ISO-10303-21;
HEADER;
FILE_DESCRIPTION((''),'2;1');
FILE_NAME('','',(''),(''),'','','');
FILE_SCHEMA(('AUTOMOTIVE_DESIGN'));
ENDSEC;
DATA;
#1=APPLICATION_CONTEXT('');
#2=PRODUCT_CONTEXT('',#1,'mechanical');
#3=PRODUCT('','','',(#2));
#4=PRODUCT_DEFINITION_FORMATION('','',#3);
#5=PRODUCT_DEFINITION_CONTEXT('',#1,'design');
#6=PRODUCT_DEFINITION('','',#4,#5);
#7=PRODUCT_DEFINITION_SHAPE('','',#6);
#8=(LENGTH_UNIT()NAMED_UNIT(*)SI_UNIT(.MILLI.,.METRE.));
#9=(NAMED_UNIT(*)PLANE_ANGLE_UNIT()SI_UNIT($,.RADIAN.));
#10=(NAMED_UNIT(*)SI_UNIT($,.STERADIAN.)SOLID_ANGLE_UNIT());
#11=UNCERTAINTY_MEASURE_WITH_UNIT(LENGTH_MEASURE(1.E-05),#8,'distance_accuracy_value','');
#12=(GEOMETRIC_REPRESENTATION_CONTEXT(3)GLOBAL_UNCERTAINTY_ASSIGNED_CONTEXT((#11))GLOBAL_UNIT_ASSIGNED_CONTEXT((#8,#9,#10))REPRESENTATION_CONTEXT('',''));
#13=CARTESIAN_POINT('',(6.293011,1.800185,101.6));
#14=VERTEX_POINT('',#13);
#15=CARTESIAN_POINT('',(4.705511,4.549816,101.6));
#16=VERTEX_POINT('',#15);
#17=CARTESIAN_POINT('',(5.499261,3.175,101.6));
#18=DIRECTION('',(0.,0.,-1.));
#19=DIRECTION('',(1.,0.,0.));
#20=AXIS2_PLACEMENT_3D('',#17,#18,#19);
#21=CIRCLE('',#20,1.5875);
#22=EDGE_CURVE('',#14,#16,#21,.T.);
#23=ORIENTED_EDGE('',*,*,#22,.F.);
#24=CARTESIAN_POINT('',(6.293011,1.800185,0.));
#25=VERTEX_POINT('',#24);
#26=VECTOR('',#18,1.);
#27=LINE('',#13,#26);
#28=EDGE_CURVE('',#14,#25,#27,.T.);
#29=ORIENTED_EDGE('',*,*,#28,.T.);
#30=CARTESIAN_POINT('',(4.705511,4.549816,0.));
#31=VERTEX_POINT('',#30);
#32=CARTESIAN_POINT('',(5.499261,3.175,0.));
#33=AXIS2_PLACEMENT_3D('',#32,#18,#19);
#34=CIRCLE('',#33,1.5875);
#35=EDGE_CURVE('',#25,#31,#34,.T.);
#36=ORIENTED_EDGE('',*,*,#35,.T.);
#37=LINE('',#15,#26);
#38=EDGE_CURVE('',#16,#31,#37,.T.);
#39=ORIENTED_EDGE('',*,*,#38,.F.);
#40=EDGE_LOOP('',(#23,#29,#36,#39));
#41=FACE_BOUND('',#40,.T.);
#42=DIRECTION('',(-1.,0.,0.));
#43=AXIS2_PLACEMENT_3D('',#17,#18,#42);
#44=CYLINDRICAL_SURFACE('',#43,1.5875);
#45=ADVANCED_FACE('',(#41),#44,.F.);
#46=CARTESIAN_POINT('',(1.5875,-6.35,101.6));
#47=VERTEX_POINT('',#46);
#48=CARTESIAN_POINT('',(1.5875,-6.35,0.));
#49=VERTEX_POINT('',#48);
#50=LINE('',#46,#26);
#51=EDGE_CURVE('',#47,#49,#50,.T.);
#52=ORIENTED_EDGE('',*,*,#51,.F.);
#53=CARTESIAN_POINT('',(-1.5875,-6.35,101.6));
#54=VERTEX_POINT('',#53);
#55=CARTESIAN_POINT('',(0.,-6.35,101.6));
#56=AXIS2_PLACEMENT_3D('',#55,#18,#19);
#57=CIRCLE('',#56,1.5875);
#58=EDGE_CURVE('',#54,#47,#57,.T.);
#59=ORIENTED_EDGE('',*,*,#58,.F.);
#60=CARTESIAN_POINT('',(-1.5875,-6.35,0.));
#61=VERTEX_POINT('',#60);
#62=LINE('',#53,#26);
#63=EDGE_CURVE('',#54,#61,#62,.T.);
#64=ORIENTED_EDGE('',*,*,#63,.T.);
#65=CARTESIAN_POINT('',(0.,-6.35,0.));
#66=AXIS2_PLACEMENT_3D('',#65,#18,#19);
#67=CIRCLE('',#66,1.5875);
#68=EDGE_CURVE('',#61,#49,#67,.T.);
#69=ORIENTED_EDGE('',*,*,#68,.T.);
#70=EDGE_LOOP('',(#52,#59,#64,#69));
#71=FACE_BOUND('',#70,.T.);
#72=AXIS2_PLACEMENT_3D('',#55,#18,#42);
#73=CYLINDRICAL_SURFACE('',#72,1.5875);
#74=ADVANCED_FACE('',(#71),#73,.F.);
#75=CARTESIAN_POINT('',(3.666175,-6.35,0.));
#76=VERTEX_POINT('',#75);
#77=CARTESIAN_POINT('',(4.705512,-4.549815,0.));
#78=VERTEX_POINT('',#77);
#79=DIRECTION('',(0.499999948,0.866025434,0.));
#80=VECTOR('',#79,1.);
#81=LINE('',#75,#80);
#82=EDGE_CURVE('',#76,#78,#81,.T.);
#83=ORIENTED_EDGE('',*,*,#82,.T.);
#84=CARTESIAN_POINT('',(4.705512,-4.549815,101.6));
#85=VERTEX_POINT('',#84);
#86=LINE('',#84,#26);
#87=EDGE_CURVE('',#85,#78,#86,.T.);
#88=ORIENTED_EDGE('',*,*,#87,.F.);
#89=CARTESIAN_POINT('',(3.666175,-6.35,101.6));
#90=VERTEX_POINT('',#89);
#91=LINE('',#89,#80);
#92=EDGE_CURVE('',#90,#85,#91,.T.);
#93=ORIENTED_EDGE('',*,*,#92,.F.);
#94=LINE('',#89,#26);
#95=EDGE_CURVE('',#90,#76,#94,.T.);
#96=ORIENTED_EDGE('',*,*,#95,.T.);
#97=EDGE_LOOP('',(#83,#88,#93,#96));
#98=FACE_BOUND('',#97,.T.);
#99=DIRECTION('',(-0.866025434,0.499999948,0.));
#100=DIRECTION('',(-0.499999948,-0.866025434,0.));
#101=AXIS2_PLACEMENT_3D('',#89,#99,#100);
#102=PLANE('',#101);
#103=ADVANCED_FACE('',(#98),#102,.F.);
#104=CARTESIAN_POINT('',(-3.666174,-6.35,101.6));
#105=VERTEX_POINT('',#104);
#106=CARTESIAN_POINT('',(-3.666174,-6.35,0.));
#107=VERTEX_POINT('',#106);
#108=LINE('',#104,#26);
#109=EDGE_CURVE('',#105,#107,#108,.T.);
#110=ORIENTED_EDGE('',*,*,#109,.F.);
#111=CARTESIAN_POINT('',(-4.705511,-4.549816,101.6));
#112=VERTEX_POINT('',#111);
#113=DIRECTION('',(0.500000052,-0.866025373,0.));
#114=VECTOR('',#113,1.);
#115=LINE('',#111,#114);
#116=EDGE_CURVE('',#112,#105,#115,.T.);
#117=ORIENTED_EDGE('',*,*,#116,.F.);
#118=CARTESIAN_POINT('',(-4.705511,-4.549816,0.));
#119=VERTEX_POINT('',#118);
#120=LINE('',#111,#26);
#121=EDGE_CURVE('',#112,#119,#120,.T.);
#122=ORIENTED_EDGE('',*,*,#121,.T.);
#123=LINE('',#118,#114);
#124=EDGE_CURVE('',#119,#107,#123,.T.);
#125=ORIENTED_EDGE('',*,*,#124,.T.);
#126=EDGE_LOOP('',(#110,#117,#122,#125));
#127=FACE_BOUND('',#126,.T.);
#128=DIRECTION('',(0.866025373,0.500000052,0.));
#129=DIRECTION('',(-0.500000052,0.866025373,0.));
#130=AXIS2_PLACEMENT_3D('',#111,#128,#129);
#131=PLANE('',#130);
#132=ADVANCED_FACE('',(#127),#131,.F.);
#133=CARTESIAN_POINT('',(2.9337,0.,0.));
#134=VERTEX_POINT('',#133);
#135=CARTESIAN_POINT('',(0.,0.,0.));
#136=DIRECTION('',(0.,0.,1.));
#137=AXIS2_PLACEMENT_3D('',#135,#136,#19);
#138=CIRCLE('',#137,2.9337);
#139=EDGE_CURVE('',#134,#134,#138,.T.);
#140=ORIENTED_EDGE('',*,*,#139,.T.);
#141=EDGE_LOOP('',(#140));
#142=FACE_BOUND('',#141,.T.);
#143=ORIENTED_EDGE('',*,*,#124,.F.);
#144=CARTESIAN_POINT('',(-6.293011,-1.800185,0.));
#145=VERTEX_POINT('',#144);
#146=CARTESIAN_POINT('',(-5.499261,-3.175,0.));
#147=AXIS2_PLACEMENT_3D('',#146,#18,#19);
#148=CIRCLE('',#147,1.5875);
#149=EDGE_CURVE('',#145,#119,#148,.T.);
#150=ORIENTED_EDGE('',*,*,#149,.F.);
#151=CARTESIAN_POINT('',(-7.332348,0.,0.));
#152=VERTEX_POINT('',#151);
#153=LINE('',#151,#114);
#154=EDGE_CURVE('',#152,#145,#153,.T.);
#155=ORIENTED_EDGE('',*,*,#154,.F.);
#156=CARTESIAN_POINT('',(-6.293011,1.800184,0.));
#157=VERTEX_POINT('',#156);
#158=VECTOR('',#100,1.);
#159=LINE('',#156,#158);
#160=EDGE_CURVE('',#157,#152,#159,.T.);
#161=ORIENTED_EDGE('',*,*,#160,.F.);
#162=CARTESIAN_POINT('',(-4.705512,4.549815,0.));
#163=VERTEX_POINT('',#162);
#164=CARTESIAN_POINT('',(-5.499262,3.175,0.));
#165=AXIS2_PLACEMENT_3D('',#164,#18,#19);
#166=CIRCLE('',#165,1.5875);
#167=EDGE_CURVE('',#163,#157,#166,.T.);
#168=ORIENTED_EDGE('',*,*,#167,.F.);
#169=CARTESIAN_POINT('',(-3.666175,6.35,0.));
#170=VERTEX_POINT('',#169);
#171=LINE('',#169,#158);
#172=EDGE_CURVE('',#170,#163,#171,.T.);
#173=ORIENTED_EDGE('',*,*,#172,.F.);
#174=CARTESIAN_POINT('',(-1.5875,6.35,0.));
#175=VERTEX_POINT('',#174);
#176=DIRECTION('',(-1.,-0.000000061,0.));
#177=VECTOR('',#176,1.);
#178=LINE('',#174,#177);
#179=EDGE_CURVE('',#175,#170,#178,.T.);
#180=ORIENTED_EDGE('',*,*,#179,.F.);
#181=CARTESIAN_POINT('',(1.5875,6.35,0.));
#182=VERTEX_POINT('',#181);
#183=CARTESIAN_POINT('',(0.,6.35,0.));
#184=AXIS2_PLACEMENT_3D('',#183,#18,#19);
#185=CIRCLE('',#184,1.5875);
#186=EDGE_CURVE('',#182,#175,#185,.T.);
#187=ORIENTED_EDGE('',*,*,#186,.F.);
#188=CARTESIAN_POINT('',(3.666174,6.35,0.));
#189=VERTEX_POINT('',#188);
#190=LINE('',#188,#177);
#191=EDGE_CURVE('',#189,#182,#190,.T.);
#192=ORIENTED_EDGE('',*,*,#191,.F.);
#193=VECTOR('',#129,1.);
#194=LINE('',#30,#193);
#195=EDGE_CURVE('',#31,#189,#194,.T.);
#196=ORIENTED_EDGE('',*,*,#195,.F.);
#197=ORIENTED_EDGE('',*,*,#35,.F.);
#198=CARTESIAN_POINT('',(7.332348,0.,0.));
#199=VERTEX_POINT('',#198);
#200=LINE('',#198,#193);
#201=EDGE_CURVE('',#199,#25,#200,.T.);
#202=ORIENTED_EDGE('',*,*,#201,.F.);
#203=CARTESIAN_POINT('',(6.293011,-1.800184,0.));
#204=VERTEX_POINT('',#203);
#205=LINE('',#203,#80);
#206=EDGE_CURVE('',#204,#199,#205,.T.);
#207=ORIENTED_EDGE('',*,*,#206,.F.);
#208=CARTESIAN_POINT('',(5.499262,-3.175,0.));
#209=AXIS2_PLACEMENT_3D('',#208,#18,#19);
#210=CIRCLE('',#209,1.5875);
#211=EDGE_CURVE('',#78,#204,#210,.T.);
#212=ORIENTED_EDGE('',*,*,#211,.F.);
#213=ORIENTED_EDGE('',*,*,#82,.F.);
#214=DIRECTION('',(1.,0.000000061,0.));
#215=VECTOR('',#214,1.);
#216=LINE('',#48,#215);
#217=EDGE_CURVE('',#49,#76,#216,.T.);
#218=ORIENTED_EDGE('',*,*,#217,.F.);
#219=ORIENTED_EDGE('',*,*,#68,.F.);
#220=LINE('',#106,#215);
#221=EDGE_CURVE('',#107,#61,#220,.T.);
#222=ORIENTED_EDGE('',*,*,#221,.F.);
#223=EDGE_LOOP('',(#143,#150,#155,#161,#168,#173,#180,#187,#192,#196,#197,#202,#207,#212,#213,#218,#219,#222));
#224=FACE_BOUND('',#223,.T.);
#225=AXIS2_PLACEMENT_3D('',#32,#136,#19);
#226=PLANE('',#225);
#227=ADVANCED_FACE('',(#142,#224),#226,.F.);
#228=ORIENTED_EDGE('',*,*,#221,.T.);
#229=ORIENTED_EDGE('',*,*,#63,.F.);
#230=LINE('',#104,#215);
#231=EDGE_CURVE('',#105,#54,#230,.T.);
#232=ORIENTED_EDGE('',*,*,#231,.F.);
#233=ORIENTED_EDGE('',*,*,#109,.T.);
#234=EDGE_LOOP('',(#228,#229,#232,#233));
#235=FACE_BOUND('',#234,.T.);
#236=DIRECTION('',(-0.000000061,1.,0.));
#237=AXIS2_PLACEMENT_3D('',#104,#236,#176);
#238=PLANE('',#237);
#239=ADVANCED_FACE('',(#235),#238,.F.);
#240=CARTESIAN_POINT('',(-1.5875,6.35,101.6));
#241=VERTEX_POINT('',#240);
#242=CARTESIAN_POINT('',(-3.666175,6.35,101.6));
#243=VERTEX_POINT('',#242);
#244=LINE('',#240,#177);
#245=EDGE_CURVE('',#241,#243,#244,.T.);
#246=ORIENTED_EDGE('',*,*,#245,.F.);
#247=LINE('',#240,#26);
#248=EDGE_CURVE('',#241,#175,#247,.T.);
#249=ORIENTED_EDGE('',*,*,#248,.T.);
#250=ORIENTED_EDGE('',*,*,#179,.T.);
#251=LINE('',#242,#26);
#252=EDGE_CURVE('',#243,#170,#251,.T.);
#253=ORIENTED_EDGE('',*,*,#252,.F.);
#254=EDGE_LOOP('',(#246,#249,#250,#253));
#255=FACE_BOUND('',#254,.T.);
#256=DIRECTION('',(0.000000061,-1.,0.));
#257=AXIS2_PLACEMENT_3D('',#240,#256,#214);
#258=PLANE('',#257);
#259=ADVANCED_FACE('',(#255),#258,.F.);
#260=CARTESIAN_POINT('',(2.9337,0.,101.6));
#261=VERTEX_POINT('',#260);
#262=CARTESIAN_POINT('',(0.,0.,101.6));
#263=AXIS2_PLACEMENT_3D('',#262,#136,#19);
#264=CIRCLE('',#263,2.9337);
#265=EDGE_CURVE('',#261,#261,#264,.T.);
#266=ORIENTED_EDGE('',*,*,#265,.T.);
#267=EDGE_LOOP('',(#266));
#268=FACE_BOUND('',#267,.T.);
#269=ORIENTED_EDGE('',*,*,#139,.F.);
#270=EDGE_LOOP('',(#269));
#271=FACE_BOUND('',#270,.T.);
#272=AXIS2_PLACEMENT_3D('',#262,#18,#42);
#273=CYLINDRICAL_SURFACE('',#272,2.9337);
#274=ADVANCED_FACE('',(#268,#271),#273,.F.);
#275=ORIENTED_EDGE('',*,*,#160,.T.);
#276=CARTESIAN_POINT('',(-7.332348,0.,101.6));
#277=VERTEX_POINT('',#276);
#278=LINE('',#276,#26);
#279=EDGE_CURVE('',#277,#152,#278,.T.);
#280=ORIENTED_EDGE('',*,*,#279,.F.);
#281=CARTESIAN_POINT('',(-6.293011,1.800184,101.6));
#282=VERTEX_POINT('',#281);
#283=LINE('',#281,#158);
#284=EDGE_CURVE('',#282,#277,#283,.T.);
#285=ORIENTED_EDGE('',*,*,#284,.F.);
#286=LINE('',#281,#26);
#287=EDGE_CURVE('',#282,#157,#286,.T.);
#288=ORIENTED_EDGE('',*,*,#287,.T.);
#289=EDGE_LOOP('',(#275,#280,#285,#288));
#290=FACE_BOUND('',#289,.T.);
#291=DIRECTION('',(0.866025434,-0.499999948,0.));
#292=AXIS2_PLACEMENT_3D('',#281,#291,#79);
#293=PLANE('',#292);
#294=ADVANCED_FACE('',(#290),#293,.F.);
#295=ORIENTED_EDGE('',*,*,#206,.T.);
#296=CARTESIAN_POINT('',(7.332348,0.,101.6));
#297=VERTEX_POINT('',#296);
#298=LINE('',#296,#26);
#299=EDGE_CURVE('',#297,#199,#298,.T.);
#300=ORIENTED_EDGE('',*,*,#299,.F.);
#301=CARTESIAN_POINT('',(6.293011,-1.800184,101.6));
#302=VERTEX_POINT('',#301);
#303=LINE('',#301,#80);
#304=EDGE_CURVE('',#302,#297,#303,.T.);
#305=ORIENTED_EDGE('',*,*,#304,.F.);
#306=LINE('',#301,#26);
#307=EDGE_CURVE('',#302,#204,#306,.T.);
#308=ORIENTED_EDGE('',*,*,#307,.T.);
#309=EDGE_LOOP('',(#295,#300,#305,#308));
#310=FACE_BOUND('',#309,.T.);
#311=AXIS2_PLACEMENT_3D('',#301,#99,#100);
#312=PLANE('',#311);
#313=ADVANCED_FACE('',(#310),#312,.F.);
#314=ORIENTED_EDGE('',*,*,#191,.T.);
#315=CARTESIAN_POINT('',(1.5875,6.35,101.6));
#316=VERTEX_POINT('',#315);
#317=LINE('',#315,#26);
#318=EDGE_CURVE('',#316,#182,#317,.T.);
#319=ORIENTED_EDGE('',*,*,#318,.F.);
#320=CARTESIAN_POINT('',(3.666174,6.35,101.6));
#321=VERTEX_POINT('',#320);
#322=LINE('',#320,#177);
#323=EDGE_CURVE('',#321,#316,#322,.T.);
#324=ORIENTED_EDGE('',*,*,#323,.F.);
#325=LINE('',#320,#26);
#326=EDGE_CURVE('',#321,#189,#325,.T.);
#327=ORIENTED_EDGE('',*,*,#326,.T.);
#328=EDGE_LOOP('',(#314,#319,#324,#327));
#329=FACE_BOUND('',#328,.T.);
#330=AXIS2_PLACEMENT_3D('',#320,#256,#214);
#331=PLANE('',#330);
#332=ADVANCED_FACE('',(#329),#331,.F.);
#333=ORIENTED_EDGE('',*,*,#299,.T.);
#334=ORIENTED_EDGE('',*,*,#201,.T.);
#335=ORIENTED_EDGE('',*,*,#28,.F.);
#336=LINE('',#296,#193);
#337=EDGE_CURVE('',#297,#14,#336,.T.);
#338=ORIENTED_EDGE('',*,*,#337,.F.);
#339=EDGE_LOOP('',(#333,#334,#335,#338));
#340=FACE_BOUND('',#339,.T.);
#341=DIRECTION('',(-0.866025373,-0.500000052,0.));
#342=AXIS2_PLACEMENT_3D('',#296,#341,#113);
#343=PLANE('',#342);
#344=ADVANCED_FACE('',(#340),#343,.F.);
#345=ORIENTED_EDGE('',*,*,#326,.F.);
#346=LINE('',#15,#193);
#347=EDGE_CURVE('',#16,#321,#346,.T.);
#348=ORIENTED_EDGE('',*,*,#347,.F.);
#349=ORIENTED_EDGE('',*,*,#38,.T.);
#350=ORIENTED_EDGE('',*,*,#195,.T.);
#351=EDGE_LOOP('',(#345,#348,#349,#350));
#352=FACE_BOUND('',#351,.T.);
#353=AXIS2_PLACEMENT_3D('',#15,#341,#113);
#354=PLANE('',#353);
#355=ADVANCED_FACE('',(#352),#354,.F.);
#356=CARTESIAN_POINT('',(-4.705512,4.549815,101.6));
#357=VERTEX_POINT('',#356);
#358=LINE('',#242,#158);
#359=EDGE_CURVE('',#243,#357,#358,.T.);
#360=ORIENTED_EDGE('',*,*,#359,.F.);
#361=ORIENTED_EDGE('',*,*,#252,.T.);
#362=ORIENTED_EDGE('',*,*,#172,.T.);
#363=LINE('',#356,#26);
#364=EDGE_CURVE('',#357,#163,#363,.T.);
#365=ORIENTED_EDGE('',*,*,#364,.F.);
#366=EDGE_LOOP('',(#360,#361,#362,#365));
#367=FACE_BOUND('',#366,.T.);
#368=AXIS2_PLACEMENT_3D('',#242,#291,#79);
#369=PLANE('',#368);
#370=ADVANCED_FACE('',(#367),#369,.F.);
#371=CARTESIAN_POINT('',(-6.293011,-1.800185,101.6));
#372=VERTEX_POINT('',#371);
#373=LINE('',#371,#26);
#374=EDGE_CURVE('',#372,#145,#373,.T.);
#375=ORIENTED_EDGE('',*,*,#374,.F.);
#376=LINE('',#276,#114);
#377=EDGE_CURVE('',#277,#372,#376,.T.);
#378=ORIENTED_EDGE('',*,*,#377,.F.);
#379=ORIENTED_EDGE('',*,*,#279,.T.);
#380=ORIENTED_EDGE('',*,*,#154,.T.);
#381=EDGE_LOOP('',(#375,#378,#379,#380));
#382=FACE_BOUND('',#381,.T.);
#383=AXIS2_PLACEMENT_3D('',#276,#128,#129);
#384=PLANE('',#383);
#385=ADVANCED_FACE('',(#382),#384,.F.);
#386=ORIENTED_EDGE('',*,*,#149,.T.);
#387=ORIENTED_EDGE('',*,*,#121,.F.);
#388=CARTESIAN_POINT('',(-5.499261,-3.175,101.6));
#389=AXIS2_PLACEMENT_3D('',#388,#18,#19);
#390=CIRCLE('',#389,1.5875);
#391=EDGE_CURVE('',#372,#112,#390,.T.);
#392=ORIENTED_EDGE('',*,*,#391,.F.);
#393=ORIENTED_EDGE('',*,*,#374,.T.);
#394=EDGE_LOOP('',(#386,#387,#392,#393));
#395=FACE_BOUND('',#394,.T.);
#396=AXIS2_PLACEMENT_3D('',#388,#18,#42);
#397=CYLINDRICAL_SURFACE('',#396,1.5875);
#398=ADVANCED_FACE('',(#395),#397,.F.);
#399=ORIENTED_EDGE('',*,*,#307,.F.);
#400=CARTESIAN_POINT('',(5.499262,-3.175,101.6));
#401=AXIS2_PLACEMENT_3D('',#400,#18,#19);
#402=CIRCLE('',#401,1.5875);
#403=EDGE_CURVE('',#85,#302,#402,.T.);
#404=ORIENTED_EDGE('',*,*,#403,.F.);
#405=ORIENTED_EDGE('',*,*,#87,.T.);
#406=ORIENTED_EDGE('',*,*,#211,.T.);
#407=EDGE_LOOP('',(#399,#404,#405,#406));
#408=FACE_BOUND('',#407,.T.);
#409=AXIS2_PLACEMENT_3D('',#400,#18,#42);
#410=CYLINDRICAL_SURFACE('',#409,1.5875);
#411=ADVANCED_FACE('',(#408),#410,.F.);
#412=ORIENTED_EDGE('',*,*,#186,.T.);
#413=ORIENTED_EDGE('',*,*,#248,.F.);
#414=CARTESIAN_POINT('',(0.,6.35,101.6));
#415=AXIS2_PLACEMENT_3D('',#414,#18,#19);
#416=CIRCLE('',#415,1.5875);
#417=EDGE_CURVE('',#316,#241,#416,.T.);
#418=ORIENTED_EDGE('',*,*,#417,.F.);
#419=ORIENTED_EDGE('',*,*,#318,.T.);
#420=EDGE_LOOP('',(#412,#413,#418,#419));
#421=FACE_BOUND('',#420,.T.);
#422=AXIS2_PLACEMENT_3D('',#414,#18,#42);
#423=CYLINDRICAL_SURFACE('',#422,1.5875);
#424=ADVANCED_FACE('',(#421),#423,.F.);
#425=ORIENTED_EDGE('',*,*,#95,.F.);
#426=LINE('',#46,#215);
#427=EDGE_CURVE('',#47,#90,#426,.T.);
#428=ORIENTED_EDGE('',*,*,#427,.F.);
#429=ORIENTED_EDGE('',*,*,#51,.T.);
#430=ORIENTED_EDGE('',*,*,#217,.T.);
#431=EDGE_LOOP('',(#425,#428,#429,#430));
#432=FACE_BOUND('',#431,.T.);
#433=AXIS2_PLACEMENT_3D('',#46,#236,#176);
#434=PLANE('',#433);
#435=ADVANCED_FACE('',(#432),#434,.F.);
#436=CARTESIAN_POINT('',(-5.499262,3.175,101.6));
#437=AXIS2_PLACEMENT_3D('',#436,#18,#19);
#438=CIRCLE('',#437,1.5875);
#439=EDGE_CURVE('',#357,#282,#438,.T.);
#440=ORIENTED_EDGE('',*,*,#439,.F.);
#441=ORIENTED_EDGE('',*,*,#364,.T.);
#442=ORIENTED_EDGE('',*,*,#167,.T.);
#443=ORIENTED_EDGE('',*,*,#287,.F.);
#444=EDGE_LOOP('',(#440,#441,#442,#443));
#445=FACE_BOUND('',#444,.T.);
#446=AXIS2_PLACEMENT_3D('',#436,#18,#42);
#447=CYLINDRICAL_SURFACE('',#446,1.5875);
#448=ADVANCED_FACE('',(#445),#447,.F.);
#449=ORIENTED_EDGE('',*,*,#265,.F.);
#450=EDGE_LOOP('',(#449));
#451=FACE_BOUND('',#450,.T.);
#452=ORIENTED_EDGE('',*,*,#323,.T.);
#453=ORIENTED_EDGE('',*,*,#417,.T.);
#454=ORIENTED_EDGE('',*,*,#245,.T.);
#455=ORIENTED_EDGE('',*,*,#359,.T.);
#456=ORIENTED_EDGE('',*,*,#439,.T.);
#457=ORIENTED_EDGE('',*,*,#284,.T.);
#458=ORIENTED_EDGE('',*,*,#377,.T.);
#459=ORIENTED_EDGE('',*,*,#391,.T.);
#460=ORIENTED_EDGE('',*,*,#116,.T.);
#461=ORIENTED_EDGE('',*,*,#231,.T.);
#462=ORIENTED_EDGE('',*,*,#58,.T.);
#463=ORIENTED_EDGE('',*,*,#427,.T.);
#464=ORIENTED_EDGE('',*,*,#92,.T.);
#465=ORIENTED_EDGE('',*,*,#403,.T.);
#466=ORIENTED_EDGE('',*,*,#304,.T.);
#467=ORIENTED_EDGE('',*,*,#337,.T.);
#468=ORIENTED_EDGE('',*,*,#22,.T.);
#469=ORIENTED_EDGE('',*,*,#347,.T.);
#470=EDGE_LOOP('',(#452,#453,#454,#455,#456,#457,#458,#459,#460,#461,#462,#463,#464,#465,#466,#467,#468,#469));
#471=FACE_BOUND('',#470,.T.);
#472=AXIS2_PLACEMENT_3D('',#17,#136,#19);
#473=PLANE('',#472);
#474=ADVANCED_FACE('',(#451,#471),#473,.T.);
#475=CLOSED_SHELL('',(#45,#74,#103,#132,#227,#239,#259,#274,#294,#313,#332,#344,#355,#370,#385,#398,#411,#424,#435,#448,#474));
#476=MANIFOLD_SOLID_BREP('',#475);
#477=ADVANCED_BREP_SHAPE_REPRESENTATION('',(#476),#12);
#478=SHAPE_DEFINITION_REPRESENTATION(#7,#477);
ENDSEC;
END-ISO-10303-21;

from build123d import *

# Parameters (mm, degrees)
SKETCH1_R           = 2.9337
BOSS_EXTRUDE1_DEPTH = 101.6


with BuildPart() as part:
    # Sketch1 → Boss-Extrude1 (new body)
    with BuildSketch(Plane.XY):
        with BuildLine():
            Line((-1.587500385, 6.349999904), (-3.666174594, 6.349999778))
            Line((-3.666174594, 6.349999778), (-4.70551159, 4.549815043))
            ThreePointArc((-4.70551159, 4.549815043), (-4.12444613, 2.38124975), (-6.293011423, 1.80018429))
            Line((-6.293011423, 1.80018429), (-7.332348419, -4.44e-07))
            Line((-7.332348419, -4.44e-07), (-6.293011205, -1.800185053))
            ThreePointArc((-6.293011205, -1.800185053), (-4.124445841, -2.38125025), (-4.705511038, -4.549815614))
            Line((-4.705511038, -4.549815614), (-3.666173825, -6.350000222))
            Line((-3.666173825, -6.350000222), (-1.587499615, -6.350000096))
            ThreePointArc((-1.587499615, -6.350000096), (2.89e-07, -4.7625), (1.587500385, -6.349999904))
            Line((1.587500385, -6.349999904), (3.666174594, -6.349999778))
            Line((3.666174594, -6.349999778), (4.70551159, -4.549815043))
            ThreePointArc((4.70551159, -4.549815043), (4.12444613, -2.38124975), (6.293011423, -1.80018429))
            Line((6.293011423, -1.80018429), (7.332348419, 4.44e-07))
            Line((7.332348419, 4.44e-07), (6.293011205, 1.800185053))
            ThreePointArc((6.293011205, 1.800185053), (4.124445841, 2.38125025), (4.705511038, 4.549815614))
            Line((4.705511038, 4.549815614), (3.666173825, 6.350000222))
            Line((3.666173825, 6.350000222), (1.587499615, 6.350000096))
            ThreePointArc((1.587499615, 6.350000096), (-2.89e-07, 4.7625), (-1.587500385, 6.349999904))
        make_face()
        Circle(SKETCH1_R, mode=Mode.SUBTRACT)
    extrude(amount=BOSS_EXTRUDE1_DEPTH)


solid = part.part
